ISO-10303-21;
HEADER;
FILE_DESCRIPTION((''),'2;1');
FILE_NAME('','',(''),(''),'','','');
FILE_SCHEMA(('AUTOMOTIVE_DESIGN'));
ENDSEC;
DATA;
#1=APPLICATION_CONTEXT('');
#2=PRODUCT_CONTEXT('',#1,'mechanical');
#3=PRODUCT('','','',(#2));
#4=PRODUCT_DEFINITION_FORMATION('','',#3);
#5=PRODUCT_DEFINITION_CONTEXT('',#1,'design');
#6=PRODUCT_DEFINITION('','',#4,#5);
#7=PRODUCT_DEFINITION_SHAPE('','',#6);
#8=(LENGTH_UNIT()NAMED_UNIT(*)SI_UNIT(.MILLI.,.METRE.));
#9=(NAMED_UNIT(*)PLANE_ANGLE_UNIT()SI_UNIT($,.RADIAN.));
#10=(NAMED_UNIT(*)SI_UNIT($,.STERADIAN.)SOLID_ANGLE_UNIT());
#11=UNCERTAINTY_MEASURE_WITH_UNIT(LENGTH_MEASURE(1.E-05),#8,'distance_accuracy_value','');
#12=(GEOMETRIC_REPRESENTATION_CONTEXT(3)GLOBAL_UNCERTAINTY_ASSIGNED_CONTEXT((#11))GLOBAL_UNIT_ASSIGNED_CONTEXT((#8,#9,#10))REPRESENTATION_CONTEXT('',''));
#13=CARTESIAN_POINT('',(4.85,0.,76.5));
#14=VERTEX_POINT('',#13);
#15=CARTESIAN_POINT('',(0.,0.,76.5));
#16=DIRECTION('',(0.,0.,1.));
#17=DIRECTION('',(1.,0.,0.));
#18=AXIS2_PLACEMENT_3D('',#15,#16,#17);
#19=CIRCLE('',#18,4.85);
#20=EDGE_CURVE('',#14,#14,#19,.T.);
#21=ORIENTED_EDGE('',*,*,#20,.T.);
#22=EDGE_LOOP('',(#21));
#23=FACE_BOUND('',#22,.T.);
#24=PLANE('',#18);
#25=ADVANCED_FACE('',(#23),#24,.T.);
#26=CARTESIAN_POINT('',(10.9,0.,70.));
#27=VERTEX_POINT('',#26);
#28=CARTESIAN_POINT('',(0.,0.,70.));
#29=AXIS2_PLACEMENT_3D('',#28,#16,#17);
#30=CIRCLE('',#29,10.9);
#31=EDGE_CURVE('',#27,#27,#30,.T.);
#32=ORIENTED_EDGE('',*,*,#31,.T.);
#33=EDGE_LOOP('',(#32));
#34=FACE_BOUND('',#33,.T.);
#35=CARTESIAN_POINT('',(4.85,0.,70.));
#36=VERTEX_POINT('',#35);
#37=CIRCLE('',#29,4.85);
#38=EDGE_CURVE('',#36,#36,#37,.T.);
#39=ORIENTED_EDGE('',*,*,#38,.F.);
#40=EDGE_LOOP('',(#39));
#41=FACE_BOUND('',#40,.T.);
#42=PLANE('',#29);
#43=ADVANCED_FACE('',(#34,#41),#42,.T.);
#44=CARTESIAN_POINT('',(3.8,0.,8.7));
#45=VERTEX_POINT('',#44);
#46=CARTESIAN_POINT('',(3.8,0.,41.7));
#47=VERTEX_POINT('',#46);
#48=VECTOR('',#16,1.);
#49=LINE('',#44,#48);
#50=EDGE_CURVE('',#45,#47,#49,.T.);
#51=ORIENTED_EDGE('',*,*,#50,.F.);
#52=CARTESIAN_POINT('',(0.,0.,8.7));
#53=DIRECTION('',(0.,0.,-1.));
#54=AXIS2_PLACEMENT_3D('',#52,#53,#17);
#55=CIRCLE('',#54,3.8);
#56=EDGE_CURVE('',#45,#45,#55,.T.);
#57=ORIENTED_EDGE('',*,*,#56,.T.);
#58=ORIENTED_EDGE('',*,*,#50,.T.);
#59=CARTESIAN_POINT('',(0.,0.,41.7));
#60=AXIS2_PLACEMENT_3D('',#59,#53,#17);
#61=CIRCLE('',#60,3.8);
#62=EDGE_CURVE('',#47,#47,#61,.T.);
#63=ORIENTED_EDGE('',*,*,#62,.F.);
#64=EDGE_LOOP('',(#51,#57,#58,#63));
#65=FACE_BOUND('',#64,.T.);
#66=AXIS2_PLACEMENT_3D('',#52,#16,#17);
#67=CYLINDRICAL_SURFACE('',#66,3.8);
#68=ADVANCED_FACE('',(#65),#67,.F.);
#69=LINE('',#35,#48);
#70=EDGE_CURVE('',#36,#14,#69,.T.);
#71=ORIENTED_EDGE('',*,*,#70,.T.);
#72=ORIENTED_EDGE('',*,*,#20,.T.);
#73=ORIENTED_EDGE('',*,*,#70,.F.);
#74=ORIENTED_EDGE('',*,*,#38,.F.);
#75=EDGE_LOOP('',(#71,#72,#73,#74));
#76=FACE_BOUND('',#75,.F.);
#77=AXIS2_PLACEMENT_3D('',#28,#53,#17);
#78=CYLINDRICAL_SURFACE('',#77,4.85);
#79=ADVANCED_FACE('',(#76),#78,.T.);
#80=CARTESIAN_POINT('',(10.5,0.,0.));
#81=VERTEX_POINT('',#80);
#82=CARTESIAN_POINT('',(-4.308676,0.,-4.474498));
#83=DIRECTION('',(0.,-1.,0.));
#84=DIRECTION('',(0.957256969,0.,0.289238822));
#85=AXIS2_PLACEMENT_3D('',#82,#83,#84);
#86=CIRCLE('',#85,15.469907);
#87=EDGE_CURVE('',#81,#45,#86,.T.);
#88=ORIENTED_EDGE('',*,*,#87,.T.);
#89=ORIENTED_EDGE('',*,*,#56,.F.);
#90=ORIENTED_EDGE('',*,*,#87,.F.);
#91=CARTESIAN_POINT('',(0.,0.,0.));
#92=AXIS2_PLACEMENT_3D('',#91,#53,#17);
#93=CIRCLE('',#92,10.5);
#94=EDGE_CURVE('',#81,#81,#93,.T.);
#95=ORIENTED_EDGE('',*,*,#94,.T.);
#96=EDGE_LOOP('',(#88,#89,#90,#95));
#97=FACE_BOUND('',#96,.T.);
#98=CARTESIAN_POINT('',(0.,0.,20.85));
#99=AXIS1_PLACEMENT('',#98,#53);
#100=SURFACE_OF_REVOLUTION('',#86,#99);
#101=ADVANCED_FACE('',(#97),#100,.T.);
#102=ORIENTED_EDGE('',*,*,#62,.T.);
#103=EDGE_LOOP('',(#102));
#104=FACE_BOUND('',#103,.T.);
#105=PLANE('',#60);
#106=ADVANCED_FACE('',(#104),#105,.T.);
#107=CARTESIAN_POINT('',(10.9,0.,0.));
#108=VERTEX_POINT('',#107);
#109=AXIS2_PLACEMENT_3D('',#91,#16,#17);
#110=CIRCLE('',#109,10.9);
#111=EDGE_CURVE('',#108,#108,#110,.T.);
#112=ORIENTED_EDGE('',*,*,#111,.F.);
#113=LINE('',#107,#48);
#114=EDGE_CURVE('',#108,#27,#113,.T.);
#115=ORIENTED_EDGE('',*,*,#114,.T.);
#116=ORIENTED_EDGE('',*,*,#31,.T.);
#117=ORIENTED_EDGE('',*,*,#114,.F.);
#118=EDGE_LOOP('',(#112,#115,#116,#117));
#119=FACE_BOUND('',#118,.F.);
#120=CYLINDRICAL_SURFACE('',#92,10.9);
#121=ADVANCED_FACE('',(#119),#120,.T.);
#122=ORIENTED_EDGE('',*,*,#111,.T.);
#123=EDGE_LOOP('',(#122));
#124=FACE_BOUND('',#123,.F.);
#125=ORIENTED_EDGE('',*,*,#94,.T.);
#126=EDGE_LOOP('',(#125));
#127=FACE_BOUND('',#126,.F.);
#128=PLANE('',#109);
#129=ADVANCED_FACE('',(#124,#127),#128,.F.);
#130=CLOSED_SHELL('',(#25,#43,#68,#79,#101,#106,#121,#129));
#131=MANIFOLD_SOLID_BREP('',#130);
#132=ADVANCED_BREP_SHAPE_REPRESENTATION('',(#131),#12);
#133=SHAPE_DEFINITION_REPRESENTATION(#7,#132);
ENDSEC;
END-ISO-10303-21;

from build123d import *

# Parameters (mm, degrees)
F0_R     = 10.9
F1_DEPTH = 70
F5_R     = 4.85
F6_DEPTH = 6.5


with BuildPart() as f1:
    # F0 (on Top) → F1 (new body)
    with BuildSketch(Plane.XY):
        Circle(F0_R)
    extrude(amount=F1_DEPTH)

    # F2 (on Front) → F3 (revolve, cut)
    with BuildSketch(Plane.XZ):
        with BuildLine():
            Line((0, 41.7), (0, 0))
            Line((0, 0), (10.5, 0))
            ThreePointArc((10.5, 0), (7.947904, 4.964478), (3.8, 8.7))
            Line((3.8, 8.7), (3.8, 41.7))
            Line((3.8, 41.7), (0, 41.7))
        make_face()
    revolve(axis=Axis((0, 0, 20.85), (0, 0, -1)), mode=Mode.SUBTRACT)

    # F5 (on offset) → F6 (join)
    with BuildSketch(Plane.XY.offset(70)):
        Circle(F5_R)
    extrude(amount=F6_DEPTH)


solid = f1.part
